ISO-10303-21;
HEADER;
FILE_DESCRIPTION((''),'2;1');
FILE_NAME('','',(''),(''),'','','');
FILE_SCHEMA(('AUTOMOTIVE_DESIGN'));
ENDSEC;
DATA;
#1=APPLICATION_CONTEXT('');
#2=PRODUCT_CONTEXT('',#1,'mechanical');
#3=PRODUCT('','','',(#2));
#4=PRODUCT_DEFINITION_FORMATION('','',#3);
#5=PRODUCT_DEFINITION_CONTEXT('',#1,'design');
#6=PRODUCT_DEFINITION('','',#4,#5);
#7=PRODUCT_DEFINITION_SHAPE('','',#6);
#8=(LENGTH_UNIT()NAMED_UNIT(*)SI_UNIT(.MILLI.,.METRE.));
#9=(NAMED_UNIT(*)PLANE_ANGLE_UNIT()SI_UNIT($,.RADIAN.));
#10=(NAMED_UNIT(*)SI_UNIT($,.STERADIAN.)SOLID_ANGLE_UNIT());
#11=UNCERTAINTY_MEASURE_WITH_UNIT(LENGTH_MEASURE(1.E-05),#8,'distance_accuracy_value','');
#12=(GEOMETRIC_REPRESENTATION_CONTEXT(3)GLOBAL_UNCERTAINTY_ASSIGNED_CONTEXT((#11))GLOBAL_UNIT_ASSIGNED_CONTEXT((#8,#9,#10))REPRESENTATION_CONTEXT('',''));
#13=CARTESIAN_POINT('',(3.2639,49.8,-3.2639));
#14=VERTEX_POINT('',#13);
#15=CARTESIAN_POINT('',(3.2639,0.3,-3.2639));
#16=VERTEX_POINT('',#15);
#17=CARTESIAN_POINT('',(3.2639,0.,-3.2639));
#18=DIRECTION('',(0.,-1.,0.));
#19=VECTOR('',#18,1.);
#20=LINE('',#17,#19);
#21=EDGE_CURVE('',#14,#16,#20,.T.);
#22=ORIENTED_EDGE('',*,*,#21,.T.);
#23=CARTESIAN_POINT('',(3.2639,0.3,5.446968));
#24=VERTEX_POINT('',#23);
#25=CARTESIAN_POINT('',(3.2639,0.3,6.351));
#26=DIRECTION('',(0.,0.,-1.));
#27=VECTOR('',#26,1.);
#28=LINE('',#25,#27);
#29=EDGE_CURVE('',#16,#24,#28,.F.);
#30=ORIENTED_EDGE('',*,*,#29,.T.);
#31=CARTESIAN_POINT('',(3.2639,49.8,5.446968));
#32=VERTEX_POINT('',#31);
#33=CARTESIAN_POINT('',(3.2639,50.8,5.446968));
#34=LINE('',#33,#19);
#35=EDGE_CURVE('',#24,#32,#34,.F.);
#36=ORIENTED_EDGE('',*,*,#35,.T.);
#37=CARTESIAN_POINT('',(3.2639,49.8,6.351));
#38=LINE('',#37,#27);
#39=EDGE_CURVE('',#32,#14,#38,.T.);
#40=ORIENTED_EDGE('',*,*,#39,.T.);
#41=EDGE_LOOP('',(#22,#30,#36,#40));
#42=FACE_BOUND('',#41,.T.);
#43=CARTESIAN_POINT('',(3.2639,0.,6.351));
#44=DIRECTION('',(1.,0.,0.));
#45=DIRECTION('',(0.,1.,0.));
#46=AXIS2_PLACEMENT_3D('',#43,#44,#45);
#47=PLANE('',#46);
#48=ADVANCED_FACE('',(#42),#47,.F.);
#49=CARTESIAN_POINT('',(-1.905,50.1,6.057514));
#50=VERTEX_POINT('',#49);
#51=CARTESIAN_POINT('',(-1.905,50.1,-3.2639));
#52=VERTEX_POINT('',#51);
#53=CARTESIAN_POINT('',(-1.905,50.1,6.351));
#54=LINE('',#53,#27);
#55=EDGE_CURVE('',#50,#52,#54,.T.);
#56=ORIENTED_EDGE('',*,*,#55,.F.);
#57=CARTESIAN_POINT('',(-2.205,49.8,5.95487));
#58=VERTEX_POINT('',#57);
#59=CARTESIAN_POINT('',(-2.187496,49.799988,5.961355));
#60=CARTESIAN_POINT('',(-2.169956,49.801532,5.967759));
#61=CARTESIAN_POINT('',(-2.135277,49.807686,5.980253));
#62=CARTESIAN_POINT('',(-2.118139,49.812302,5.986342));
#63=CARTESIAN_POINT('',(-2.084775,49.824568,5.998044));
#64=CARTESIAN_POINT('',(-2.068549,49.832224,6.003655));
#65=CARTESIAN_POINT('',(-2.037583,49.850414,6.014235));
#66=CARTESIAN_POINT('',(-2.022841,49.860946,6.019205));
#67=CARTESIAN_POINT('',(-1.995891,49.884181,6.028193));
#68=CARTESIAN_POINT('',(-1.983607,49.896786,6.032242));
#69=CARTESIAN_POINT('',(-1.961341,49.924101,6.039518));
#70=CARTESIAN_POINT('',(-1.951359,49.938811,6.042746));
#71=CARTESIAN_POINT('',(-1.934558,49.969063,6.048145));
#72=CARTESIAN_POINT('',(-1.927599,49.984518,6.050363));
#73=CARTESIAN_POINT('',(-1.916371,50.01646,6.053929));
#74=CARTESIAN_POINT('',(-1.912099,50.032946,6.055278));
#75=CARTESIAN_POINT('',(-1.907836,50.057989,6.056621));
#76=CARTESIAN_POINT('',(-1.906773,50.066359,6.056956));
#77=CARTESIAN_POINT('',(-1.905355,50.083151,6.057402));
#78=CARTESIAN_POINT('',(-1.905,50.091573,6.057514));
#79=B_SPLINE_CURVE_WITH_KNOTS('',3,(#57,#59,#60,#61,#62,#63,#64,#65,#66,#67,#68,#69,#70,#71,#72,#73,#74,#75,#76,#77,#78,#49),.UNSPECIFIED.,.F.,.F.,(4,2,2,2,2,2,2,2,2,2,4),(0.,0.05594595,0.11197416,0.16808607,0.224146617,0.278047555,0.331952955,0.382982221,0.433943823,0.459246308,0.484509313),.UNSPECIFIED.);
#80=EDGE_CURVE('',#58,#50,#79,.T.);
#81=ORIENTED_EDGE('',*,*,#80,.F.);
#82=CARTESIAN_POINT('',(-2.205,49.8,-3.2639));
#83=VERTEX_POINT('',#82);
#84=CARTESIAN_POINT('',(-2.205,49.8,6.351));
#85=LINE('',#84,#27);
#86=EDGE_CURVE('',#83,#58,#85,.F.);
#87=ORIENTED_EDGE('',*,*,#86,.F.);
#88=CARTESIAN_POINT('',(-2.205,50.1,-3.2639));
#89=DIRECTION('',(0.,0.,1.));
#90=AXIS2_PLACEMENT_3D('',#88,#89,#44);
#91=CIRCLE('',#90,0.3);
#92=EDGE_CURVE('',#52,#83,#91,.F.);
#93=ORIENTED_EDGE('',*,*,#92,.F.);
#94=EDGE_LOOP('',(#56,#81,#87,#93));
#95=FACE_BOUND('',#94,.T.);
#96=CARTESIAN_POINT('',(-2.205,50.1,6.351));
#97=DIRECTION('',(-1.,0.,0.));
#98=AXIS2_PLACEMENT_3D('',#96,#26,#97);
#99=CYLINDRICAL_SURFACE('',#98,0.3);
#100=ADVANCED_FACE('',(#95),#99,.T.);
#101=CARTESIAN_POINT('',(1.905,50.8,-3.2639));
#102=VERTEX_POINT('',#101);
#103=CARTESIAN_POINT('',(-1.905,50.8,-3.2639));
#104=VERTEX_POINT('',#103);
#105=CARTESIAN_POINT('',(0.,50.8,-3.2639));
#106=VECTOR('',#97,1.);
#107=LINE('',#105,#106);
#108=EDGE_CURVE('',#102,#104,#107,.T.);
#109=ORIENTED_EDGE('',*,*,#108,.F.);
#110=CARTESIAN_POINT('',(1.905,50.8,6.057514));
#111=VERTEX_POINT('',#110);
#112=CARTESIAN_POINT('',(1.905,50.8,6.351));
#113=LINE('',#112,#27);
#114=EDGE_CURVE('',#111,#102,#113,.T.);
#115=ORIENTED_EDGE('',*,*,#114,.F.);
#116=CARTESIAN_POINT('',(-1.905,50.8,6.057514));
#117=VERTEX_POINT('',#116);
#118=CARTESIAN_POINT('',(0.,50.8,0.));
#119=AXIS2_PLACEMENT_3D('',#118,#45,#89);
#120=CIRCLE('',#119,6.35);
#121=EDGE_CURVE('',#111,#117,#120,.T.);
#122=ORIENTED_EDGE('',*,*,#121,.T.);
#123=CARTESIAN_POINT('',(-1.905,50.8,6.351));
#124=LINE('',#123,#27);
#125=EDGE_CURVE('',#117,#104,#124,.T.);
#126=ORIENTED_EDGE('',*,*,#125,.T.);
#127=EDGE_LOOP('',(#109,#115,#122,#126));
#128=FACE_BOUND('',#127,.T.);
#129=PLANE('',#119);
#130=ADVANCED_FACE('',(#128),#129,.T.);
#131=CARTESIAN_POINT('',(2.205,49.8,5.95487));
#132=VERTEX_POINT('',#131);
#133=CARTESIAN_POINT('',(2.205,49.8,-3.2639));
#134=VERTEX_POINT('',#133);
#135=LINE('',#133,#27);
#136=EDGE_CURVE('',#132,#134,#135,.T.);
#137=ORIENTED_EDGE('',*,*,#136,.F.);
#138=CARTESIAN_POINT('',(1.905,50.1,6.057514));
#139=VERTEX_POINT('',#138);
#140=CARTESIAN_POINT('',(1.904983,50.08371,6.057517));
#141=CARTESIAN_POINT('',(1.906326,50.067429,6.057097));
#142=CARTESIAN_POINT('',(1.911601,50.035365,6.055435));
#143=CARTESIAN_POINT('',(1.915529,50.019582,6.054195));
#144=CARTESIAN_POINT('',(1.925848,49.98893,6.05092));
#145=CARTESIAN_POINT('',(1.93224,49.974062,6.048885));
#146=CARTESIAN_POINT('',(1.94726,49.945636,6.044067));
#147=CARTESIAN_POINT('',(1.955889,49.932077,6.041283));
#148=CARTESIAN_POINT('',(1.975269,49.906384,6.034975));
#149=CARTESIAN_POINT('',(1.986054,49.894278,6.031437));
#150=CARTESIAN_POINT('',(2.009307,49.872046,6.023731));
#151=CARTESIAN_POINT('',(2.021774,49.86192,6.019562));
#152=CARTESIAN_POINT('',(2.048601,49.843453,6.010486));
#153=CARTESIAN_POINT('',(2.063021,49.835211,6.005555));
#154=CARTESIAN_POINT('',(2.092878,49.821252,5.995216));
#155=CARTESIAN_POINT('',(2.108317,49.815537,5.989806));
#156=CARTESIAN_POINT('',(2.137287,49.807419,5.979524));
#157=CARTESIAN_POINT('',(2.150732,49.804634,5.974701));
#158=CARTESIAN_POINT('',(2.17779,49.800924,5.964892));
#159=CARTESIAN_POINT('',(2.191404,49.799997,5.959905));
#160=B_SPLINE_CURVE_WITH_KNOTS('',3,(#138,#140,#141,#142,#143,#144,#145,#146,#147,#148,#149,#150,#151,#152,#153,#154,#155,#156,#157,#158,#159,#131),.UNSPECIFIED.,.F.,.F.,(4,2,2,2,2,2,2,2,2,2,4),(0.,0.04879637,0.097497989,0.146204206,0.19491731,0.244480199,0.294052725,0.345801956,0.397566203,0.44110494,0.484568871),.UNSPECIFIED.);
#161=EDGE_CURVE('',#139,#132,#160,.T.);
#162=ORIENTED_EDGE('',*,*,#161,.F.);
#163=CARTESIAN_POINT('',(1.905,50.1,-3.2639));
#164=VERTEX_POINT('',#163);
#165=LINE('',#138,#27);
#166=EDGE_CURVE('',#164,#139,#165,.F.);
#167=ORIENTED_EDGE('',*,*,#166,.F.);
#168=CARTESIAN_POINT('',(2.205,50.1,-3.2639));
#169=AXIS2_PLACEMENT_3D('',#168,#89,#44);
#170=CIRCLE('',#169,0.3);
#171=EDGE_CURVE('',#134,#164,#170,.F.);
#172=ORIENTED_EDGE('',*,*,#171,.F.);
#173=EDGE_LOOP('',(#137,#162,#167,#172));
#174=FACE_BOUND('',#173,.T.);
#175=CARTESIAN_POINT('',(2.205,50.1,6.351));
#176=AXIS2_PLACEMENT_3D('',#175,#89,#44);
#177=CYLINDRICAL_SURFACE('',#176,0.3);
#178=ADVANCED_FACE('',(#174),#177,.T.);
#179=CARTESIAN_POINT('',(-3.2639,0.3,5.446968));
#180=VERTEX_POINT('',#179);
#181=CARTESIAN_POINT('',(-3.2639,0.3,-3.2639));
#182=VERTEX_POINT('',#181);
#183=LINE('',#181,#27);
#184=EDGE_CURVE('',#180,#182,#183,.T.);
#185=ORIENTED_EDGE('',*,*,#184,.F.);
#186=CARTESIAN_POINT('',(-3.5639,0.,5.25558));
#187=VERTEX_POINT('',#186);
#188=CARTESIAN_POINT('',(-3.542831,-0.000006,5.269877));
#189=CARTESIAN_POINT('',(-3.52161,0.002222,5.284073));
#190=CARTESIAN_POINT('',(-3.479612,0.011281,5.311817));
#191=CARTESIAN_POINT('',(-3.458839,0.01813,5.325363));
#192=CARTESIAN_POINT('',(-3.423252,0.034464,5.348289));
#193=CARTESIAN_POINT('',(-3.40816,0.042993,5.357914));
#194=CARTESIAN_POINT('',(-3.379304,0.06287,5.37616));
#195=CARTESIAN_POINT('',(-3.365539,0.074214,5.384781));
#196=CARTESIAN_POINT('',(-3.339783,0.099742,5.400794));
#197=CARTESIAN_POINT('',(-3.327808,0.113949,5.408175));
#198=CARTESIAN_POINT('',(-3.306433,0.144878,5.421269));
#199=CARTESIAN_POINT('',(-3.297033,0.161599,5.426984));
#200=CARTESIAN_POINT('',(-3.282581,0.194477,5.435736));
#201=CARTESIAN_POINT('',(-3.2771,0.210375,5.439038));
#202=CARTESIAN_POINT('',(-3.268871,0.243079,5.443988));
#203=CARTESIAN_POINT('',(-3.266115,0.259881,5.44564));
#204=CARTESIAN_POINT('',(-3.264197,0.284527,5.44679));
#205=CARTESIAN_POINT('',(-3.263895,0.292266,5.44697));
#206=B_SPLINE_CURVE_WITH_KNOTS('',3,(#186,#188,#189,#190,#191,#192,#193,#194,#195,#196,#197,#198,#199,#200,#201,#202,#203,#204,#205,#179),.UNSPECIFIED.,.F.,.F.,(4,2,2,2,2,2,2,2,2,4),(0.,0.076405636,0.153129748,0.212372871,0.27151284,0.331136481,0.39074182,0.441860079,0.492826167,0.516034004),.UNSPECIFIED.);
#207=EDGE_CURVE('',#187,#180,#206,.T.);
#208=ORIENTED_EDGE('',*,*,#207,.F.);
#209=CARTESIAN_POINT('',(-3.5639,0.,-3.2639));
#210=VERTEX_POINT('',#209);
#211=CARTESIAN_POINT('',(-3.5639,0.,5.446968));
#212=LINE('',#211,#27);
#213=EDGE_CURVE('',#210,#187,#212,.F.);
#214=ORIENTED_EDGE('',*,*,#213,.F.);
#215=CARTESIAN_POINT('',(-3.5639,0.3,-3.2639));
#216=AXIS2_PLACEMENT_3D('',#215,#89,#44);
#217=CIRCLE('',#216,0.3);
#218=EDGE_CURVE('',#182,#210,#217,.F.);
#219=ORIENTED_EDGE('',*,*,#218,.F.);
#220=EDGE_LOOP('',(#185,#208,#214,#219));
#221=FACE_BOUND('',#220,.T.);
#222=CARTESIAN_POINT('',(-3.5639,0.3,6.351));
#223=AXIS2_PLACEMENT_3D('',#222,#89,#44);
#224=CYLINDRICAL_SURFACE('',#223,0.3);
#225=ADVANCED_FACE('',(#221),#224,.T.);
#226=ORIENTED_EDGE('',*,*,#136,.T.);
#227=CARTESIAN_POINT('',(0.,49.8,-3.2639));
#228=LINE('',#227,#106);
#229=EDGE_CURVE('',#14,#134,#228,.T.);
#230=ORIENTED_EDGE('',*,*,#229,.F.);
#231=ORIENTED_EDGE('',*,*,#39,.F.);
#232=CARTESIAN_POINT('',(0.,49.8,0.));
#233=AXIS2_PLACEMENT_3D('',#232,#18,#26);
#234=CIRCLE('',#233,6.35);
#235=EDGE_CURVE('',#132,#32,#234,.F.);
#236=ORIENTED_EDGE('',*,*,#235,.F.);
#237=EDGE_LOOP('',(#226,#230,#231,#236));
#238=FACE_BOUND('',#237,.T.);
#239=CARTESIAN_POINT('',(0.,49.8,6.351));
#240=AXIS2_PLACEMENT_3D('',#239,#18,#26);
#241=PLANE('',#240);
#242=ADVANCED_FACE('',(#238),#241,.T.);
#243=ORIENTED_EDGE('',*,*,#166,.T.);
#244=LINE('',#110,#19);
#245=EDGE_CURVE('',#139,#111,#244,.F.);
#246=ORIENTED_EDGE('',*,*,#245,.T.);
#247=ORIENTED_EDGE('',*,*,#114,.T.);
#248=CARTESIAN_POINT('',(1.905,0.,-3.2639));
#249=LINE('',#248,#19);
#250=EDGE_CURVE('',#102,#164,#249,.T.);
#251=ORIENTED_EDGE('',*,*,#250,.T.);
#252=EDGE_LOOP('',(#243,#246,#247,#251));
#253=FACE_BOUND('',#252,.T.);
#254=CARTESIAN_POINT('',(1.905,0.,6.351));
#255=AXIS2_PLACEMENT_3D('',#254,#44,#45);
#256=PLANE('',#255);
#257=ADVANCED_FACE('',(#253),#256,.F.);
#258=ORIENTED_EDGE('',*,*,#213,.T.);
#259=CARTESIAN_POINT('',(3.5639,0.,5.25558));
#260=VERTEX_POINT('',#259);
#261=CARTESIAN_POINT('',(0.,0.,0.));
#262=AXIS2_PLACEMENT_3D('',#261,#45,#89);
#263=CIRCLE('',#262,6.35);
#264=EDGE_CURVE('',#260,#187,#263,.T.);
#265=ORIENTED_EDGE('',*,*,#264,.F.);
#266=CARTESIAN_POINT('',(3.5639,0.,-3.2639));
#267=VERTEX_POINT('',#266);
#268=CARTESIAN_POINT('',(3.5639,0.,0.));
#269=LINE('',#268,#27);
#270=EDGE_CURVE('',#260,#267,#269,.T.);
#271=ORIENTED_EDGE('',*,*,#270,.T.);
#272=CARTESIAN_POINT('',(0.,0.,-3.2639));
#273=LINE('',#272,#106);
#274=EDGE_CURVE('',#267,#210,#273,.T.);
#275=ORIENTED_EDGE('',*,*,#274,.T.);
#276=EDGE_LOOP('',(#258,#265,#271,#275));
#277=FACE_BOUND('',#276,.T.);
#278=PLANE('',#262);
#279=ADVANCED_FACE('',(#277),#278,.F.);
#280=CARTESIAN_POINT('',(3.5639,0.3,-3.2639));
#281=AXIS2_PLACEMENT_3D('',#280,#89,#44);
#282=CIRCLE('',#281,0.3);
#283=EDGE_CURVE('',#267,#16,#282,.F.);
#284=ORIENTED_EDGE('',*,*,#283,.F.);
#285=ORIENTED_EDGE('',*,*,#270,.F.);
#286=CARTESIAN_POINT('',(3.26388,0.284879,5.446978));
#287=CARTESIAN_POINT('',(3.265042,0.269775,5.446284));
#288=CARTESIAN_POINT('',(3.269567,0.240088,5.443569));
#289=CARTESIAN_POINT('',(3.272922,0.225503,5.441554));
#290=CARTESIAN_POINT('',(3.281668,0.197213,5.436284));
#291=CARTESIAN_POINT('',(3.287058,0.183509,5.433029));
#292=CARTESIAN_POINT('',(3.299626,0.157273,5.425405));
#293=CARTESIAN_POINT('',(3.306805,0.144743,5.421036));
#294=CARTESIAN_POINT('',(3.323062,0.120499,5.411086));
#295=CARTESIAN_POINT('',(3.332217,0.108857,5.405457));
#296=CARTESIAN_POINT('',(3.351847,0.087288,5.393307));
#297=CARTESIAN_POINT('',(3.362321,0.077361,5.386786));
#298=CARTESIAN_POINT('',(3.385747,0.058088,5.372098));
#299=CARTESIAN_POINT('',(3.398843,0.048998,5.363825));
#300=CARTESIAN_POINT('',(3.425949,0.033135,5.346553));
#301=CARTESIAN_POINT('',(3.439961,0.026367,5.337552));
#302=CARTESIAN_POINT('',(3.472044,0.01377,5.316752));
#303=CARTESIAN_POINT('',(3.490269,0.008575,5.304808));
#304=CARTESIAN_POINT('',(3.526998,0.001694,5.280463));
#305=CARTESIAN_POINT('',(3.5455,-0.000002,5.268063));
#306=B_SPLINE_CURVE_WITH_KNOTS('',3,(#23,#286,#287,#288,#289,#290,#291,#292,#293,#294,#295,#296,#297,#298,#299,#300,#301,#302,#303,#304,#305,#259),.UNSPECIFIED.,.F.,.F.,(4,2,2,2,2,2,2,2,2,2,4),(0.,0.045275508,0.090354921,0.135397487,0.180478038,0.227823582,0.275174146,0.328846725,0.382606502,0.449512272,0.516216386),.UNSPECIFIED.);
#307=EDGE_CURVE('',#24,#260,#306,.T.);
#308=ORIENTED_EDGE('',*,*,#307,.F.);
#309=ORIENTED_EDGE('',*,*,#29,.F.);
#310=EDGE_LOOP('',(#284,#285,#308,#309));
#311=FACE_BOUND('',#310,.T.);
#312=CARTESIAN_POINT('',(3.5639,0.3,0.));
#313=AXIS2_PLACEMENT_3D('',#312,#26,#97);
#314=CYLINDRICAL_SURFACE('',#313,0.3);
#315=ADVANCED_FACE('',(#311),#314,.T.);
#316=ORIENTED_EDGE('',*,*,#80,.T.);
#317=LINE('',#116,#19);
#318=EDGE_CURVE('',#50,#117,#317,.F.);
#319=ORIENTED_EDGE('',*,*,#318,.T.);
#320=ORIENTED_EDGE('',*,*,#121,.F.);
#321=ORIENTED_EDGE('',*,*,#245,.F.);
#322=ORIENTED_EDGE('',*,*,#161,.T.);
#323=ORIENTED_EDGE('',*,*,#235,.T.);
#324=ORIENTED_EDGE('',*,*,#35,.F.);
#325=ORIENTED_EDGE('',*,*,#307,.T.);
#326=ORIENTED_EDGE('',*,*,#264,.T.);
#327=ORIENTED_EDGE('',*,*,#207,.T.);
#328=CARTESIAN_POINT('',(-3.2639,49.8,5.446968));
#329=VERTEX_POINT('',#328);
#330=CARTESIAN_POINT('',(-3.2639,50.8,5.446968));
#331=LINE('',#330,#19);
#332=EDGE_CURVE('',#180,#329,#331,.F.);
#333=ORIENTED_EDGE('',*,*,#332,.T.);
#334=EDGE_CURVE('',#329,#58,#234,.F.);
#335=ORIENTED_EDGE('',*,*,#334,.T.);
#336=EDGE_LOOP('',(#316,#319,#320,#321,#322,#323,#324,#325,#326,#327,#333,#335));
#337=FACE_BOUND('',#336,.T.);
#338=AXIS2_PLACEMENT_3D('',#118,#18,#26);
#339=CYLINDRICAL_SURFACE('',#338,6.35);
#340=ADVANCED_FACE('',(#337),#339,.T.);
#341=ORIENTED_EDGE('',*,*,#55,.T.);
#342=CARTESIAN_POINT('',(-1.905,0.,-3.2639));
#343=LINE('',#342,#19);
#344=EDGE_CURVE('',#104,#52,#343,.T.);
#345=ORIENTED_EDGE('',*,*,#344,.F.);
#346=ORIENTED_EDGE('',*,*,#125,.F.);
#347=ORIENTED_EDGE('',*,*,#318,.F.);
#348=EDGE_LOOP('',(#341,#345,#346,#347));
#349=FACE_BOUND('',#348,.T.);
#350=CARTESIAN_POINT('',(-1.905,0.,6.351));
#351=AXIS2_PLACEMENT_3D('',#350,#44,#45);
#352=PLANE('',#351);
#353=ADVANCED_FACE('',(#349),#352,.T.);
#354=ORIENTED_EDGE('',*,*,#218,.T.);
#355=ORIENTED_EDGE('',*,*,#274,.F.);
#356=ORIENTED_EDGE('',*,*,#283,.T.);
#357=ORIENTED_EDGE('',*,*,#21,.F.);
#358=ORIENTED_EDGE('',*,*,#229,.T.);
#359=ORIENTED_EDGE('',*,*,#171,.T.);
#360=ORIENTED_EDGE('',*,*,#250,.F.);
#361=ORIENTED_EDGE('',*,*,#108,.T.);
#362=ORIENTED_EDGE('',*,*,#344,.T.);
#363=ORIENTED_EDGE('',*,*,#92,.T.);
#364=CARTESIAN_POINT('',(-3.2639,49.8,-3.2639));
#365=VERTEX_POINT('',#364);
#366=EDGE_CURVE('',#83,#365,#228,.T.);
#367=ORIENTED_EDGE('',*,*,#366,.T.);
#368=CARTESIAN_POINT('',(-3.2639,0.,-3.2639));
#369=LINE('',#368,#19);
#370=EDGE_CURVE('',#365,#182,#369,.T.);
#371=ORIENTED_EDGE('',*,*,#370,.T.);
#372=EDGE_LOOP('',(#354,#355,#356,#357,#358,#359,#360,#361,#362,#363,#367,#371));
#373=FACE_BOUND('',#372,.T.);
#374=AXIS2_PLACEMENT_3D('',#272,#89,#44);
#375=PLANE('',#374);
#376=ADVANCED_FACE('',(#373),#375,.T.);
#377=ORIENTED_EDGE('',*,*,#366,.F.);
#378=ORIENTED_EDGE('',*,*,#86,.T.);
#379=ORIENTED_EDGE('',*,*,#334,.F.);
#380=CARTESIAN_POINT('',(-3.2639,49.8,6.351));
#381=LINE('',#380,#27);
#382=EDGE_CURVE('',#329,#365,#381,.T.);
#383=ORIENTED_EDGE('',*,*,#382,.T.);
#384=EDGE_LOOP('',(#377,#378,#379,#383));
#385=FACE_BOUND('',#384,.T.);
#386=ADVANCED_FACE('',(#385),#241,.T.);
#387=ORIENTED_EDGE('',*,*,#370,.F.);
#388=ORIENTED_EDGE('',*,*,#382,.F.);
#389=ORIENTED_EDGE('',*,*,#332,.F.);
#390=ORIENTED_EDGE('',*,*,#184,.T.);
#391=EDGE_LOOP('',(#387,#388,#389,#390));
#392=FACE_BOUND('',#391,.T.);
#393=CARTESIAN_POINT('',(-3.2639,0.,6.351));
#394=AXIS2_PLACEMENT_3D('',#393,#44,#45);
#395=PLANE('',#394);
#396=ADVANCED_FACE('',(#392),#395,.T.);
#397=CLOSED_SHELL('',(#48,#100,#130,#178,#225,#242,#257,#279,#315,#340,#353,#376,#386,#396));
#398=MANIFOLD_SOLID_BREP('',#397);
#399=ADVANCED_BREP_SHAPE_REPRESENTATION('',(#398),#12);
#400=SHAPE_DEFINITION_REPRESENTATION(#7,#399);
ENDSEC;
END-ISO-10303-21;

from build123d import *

# Parameters (mm, degrees)
CYLINDER_SKETCH_R              = 6.35
CYLINDER_DEPTH                 = 50.8
SKETCH2_W                      = 6.5278
SKETCH2_H                      = 49.8
SKETCH2_W_2                    = 3.81
SKETCH2_H_2                    = 1
CUT_EXTRUDE2_DEPTH             = 3.2639
CUT_EXTRUDE2_DIRECTION_2_REACH = 8.35
FILLET1_R                      = 0.3


with BuildPart() as part:
    # cylinder_sketch → cylinder (new body)
    with BuildSketch(Plane(origin=(0, 0, 0), x_dir=(1, 0, 0), z_dir=(0, 1, 0))):
        Circle(CYLINDER_SKETCH_R)
    extrude(amount=CYLINDER_DEPTH)

    # Sketch2 → Cut-Extrude2 (cut)
    with BuildSketch(Plane.XY):
        with Locations((0, 24.9)):
            Rectangle(SKETCH2_W, SKETCH2_H)
        with Locations((0, 50.3)):
            Rectangle(SKETCH2_W_2, SKETCH2_H_2)
    extrude(amount=-CUT_EXTRUDE2_DEPTH, mode=Mode.SUBTRACT)

    # Sketch2 → Cut-Extrude2 direction 2 (cut, up to next)
    with BuildSketch(Plane.XY, mode=Mode.PRIVATE) as cut_extrude2_direction_2_sk1:
        with Locations((0, 24.9)):
            Rectangle(SKETCH2_W, SKETCH2_H)
    cut_extrude2_direction_2_tool1 = extrude(cut_extrude2_direction_2_sk1.sketch, amount=CUT_EXTRUDE2_DIRECTION_2_REACH, mode=Mode.PRIVATE) & part.part
    add(cut_extrude2_direction_2_tool1.solids().sort_by_distance((0, 24.9, 0))[0], mode=Mode.SUBTRACT)
    # Sketch2 → Cut-Extrude2 direction 2 (cut, up to next)
    with BuildSketch(Plane.XY, mode=Mode.PRIVATE) as cut_extrude2_direction_2_sk2:
        with Locations((0, 50.3)):
            Rectangle(SKETCH2_W_2, SKETCH2_H_2)
    cut_extrude2_direction_2_tool2 = extrude(cut_extrude2_direction_2_sk2.sketch, amount=CUT_EXTRUDE2_DIRECTION_2_REACH, mode=Mode.PRIVATE) & part.part
    add(cut_extrude2_direction_2_tool2.solids().sort_by_distance((0, 50.3, 0))[0], mode=Mode.SUBTRACT)

    # Fillet1
    fillet1_edges = [part.edges().sort_by_distance(p)[0] for p in [
        (1.905, 49.8, 1.396806964),
        (-1.905, 49.8, 1.396806964),
        (-3.2639, 0, 1.091533835),
        (3.2639, 0, 1.091533835),
    ]]
    fillet(fillet1_edges, radius=FILLET1_R)


solid = part.part
